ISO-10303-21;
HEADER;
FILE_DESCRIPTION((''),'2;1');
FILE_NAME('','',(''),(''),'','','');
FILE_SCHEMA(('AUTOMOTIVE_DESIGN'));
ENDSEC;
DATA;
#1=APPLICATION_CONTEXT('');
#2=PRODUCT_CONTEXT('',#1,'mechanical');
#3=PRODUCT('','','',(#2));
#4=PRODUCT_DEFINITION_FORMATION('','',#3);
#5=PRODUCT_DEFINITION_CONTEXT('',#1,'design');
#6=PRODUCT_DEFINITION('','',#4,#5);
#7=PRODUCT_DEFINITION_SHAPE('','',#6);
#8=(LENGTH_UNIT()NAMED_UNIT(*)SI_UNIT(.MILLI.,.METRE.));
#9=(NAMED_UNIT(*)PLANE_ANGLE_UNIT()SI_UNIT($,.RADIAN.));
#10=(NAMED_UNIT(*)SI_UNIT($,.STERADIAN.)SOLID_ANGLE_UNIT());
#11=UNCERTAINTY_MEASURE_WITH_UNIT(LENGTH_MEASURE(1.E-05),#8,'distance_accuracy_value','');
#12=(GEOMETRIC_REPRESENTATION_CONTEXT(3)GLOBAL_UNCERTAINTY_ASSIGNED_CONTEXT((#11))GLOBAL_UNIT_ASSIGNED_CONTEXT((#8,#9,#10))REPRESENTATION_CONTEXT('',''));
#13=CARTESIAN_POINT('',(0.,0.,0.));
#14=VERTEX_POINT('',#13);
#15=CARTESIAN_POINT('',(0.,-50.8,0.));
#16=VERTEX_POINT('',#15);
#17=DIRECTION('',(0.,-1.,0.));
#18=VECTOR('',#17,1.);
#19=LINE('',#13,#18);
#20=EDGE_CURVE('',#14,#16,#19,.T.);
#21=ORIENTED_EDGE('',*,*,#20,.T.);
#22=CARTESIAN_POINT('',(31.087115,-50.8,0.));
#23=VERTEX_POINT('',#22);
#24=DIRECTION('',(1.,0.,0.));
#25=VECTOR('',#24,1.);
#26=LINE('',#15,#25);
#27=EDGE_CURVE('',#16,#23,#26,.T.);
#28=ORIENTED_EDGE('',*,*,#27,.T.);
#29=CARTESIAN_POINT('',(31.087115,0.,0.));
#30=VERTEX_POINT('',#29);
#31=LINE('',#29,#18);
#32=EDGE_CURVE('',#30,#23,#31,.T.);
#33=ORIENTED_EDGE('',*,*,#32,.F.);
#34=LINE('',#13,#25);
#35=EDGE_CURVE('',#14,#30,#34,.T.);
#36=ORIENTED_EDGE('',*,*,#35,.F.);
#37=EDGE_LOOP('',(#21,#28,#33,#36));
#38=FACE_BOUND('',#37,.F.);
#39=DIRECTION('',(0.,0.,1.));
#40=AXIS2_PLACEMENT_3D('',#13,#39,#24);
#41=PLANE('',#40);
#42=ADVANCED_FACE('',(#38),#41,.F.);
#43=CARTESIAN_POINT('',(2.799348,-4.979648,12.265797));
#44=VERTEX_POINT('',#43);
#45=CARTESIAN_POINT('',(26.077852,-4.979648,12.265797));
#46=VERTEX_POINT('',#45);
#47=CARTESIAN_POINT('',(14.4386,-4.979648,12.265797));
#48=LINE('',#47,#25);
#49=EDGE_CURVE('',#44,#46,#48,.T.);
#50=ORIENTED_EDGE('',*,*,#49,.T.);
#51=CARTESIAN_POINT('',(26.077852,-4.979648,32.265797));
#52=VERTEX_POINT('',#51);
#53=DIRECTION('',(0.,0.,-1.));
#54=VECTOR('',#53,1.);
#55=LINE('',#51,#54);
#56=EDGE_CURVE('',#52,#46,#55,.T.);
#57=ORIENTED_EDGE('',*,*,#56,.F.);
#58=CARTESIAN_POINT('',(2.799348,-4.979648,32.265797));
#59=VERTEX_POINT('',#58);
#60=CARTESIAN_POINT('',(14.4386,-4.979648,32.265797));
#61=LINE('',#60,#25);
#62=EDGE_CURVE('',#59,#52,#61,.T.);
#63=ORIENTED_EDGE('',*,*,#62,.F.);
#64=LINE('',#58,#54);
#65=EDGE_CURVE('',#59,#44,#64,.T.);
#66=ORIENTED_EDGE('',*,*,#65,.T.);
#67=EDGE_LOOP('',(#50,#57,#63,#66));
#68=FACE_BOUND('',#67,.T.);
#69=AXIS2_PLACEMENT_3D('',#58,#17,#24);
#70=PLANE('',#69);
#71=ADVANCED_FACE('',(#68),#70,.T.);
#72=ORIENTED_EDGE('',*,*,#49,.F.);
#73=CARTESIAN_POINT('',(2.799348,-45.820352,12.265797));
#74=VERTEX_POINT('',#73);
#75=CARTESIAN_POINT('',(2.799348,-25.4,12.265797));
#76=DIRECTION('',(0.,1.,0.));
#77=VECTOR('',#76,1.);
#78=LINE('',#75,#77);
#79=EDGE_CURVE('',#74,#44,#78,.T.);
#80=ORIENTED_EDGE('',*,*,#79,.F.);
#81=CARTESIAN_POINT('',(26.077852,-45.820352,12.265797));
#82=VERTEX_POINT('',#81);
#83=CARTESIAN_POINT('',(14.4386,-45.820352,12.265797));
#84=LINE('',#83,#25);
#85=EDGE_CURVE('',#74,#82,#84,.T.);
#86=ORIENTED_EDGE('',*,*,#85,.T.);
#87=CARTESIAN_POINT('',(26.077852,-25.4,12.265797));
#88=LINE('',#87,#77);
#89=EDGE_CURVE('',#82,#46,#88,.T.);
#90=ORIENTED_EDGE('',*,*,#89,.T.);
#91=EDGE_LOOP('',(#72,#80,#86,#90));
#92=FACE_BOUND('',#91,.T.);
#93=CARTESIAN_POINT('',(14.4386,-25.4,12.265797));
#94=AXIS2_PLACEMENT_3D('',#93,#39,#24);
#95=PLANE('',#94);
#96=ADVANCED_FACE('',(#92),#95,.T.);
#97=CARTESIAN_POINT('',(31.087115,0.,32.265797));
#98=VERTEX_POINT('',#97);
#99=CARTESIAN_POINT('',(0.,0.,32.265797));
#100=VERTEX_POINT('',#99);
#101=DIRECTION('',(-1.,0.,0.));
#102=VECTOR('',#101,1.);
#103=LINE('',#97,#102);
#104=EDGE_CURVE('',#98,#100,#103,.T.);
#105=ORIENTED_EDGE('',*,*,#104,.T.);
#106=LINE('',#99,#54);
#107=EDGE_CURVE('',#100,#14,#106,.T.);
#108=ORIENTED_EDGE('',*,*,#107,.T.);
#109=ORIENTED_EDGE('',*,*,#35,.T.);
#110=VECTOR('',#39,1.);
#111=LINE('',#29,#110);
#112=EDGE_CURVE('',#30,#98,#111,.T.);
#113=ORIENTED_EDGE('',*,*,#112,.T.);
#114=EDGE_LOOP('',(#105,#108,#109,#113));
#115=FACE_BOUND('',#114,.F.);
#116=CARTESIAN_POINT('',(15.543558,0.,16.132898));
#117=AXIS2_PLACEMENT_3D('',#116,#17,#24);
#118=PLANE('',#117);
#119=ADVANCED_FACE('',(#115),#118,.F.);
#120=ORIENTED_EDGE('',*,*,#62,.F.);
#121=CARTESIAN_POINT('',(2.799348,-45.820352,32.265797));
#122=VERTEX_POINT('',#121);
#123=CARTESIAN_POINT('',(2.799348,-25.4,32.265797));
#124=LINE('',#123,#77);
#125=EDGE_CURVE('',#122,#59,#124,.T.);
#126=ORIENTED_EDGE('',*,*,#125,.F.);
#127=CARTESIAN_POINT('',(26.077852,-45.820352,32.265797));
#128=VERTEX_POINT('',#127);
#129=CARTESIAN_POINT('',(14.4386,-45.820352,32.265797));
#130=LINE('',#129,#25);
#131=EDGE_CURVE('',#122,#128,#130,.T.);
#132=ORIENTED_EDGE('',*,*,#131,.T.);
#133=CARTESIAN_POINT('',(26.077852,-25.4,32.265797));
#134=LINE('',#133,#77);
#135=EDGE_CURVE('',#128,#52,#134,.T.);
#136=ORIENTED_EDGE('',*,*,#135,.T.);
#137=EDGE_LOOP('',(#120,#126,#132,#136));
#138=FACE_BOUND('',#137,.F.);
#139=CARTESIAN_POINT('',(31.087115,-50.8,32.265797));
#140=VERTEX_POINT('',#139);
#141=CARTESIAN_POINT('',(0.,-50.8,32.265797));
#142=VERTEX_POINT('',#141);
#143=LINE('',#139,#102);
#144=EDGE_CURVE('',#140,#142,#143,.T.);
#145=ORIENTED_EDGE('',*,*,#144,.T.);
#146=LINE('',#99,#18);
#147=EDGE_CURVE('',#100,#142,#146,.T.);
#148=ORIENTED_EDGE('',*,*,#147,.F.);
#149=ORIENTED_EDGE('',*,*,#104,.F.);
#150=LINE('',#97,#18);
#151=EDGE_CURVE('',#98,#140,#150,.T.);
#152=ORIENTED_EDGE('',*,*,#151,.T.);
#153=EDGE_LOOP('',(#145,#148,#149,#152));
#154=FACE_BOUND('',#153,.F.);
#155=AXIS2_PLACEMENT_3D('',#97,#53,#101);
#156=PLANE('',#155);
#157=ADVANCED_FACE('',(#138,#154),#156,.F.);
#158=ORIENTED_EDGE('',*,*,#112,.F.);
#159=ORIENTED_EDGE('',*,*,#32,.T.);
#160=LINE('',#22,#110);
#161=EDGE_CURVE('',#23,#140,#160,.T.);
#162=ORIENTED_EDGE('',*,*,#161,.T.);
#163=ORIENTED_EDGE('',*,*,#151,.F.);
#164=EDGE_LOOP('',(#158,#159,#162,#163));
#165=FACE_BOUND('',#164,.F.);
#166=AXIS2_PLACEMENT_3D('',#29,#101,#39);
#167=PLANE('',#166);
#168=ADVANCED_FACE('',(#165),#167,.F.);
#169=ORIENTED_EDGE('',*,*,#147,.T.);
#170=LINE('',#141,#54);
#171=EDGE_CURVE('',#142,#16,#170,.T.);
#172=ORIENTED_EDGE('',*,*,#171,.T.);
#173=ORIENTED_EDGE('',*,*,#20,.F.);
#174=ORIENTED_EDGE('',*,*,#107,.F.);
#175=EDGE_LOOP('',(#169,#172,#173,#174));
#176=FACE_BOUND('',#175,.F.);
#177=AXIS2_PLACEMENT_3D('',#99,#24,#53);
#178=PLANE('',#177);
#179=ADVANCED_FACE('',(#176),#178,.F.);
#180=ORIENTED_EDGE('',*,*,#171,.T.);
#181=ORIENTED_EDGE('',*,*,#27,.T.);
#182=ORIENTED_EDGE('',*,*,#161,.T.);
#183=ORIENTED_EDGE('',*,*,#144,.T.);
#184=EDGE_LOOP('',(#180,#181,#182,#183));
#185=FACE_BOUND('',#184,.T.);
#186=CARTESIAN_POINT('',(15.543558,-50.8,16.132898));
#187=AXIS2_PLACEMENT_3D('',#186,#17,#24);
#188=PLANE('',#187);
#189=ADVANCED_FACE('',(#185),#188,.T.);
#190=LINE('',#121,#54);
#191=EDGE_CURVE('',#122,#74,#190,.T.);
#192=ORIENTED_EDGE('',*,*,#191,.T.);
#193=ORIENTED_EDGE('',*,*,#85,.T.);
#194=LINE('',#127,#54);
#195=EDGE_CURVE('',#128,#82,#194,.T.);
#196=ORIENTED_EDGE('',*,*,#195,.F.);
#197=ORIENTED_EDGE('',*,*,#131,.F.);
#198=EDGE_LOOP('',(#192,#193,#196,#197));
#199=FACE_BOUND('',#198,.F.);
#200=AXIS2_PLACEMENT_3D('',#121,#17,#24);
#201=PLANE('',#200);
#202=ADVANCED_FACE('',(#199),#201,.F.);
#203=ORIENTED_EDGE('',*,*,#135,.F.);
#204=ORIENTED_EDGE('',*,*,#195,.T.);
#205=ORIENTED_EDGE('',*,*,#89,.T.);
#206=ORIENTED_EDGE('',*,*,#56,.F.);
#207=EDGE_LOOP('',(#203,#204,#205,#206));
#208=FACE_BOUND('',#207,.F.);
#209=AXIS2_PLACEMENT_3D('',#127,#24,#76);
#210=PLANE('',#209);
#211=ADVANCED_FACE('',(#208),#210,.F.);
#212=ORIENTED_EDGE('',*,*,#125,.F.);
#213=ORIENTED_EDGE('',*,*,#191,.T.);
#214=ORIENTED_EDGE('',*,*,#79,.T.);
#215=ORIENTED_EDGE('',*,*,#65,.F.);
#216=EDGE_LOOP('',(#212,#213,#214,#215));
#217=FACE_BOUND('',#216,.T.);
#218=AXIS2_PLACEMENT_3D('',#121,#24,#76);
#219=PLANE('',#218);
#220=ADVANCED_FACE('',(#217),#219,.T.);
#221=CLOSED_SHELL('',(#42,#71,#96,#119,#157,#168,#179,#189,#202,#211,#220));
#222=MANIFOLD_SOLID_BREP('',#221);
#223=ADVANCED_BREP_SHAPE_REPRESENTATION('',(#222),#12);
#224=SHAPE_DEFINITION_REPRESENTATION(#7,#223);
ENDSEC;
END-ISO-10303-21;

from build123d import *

# Parameters (mm, degrees)
F1_DEPTH = 50.8
F2_W     = 23.278505
F2_H     = 40.840704
F3_DEPTH = 20


with BuildPart() as f1:
    # F0 (on Front) → F1 (new body)
    with BuildSketch(Plane.XZ):
        Polygon((0, 32.265797), (0, 31.234473), (0, 24.604514), (0, 0), (31.087115, 0), (31.087115, 32.265797), align=None)
    extrude(amount=F1_DEPTH)

    # F2 (on face) → F3 (cut)
    with BuildSketch(Plane.XY.offset(32.265797)):
        with Locations((14.4386, -25.4)):
            Rectangle(F2_W, F2_H)
    extrude(amount=-F3_DEPTH, mode=Mode.SUBTRACT)


solid = f1.part
